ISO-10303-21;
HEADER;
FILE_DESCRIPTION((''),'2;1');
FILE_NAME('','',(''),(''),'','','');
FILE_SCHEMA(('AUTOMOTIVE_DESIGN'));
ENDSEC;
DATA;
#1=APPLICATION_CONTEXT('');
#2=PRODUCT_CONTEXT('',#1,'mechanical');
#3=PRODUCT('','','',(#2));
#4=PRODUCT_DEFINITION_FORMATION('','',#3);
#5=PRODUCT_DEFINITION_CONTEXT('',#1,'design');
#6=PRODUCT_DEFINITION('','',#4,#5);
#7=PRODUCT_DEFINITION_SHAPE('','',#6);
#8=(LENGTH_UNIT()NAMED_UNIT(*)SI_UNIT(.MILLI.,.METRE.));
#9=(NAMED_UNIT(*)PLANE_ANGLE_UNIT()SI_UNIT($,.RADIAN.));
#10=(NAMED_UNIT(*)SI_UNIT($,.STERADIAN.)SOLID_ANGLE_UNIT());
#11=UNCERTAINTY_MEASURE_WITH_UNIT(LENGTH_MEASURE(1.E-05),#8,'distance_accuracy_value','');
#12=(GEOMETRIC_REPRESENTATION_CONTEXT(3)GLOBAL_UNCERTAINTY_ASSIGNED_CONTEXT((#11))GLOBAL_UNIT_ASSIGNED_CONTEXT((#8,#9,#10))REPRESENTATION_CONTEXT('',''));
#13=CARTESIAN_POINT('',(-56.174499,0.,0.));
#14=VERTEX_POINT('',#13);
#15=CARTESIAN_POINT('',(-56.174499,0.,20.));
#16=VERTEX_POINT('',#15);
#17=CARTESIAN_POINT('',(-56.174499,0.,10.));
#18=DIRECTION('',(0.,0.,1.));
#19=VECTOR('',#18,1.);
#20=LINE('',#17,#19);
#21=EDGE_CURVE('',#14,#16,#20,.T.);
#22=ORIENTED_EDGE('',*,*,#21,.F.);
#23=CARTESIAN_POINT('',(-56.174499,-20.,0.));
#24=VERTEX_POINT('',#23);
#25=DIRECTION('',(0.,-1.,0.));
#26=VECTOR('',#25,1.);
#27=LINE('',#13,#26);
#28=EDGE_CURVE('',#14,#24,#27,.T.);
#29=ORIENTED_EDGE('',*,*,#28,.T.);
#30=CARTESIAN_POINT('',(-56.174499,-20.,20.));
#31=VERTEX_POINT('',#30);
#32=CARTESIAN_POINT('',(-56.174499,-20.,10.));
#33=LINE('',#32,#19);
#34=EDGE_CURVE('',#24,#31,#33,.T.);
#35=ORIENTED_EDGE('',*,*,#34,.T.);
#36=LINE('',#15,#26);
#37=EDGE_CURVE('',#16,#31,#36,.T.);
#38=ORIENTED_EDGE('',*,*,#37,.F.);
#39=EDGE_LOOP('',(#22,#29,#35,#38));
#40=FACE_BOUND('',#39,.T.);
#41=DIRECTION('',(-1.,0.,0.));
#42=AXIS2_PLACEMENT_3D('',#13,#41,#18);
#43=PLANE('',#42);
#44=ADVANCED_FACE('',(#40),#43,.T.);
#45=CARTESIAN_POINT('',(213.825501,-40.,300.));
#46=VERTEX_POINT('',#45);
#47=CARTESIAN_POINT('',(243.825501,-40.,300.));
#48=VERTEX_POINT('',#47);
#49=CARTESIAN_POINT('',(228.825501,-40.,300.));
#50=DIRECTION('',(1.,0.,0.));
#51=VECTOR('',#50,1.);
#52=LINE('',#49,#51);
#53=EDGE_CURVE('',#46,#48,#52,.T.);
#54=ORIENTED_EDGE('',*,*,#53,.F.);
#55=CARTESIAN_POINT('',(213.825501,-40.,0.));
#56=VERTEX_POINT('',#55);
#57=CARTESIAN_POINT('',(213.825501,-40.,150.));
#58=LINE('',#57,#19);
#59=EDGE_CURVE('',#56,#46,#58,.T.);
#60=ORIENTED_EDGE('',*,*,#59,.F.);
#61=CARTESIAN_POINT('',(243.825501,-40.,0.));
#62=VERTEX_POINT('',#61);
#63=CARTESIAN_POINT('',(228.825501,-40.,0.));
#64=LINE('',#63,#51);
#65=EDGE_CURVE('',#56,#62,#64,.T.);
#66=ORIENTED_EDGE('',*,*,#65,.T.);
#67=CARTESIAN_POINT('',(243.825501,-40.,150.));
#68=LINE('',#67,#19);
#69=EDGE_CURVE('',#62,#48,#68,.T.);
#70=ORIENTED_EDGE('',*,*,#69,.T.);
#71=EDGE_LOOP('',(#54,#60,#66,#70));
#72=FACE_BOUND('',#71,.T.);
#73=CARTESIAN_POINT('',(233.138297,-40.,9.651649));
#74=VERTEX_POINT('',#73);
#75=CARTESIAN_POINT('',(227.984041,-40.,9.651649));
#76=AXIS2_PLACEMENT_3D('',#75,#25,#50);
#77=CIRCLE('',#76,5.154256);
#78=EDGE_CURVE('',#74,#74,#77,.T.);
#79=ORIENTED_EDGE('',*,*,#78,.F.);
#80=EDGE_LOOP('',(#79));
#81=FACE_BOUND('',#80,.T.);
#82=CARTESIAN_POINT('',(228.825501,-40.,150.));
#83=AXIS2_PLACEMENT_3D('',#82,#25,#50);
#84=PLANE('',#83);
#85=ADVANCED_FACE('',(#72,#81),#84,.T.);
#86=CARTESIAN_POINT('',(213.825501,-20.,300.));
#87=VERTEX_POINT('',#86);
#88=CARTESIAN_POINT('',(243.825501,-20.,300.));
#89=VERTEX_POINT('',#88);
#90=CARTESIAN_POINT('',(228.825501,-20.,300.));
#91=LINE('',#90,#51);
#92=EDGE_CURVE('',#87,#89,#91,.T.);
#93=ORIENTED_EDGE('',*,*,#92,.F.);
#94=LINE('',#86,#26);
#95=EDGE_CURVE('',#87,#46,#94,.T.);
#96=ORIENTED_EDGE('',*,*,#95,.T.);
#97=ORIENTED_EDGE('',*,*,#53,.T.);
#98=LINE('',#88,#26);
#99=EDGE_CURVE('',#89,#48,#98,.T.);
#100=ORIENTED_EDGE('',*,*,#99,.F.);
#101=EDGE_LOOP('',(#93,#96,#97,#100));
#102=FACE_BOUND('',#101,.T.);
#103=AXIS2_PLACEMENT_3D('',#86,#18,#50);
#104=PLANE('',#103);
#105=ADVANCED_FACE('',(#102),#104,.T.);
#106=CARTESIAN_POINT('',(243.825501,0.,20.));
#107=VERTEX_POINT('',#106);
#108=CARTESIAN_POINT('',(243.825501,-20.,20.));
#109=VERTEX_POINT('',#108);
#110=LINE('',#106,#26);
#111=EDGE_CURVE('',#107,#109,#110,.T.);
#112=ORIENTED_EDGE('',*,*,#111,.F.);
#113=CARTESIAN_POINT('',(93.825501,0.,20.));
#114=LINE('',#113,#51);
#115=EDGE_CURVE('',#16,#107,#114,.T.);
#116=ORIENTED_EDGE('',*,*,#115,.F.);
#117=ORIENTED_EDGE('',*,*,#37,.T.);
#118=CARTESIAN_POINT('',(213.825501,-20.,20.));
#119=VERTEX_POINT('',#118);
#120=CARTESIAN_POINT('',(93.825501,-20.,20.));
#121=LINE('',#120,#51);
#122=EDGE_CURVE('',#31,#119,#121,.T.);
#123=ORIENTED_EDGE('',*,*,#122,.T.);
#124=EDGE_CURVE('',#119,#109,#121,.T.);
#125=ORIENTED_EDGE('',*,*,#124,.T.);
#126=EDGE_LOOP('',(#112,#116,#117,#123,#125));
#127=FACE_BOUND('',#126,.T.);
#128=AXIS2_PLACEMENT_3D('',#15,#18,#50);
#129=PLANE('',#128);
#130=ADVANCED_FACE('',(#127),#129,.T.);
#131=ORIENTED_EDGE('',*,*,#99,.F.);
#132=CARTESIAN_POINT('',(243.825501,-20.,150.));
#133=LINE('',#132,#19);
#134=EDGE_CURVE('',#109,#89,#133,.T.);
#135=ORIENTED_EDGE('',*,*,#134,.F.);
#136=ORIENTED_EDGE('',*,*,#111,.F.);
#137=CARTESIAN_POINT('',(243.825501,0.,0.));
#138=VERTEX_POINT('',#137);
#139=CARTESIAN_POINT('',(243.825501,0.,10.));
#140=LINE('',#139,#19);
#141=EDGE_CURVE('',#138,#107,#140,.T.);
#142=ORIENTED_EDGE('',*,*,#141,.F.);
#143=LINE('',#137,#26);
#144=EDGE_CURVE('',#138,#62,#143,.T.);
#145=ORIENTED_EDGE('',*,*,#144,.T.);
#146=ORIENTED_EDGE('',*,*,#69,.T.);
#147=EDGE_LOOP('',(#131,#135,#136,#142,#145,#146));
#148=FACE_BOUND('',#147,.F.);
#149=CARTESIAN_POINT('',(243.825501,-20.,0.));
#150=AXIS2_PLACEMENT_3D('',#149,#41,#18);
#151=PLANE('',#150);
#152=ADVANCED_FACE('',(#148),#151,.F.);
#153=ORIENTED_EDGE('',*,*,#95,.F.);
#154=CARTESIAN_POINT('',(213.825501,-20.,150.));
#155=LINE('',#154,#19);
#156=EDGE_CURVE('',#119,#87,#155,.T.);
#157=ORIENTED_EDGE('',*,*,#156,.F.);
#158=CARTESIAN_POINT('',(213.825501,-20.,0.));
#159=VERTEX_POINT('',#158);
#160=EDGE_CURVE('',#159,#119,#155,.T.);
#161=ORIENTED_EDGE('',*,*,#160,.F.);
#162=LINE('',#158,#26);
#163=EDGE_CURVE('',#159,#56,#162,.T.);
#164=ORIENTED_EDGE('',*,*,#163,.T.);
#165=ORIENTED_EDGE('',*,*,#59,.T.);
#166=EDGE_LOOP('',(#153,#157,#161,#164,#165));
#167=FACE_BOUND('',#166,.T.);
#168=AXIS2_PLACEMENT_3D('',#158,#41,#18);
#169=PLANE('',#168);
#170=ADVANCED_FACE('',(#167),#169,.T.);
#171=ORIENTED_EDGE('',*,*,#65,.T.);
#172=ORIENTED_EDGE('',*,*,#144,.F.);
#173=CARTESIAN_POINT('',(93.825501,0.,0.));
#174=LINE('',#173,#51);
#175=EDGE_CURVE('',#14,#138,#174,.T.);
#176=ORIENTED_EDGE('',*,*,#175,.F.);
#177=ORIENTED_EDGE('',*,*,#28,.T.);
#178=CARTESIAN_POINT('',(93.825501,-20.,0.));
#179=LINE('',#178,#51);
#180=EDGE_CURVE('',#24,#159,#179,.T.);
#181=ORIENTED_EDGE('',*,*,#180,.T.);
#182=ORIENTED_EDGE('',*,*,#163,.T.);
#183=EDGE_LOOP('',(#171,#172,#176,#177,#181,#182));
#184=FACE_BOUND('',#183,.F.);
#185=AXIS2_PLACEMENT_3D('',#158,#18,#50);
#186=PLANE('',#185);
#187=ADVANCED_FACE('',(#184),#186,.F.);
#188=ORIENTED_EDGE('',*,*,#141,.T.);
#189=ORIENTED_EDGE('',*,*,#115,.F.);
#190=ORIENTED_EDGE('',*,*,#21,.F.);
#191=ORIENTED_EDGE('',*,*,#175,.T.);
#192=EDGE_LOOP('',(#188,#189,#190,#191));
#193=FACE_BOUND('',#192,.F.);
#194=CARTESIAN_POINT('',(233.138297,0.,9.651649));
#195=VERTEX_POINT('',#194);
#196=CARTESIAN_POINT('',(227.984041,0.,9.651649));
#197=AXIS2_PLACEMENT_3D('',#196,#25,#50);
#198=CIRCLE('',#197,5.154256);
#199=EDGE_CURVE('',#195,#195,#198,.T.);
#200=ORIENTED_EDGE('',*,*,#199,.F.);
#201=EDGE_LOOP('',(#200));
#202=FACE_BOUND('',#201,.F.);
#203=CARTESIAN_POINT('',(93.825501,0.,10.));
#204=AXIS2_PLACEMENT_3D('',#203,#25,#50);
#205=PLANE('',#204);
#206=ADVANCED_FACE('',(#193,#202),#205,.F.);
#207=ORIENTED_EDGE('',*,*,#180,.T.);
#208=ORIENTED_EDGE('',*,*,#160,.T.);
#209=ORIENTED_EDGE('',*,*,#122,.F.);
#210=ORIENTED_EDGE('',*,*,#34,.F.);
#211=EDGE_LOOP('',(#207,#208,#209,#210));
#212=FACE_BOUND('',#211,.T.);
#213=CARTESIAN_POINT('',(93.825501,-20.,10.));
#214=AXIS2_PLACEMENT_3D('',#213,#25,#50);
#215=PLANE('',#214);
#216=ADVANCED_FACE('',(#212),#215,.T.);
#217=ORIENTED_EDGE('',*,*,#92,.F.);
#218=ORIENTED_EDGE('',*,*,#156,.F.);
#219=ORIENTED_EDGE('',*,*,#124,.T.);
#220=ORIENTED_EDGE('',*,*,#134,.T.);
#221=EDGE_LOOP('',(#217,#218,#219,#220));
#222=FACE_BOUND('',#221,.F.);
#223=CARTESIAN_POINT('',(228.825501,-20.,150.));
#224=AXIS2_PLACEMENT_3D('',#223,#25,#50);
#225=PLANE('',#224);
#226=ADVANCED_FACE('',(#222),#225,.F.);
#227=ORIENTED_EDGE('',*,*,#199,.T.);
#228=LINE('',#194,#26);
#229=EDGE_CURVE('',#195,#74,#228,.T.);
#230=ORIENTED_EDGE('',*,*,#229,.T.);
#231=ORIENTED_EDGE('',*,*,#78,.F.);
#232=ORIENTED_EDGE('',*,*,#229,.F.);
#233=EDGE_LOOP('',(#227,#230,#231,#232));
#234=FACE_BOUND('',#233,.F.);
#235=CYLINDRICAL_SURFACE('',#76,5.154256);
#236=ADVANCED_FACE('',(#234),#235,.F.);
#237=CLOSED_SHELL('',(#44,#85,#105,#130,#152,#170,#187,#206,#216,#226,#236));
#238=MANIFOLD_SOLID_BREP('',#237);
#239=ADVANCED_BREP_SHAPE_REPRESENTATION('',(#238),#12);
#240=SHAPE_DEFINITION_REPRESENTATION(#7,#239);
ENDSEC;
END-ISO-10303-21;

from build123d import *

# Parameters (mm, degrees)
F0_W     = 300
F0_H     = 20
F1_DEPTH = 20
F2_R     = 5.1542561855
F3_DEPTH = 20.001
F4_W     = 30
F4_H     = 300
F5_DEPTH = 20
F6_R     = 5.1542561855
F7_DEPTH = 25


with BuildPart() as f1:
    # F0 (on Front) → F1 (new body)
    with BuildSketch(Plane.XZ):
        with Locations((93.8255012718, 10)):
            Rectangle(F0_W, F0_H)
    extrude(amount=F1_DEPTH)

    # F2 (on face) → F3 (cut, through all)
    with BuildSketch(Plane.XZ.offset(20)):
        with Locations((227.9840409756, 9.651648812)):
            Circle(F2_R)
    extrude(amount=-F3_DEPTH, mode=Mode.SUBTRACT)

    # F4 (on face) → F5 (join)
    with BuildSketch(Plane.XZ.offset(20)):
        with Locations((228.8255012718, 150)):
            Rectangle(F4_W, F4_H)
    extrude(amount=F5_DEPTH)

    # F6 (on face) → F7 (cut)
    with BuildSketch(Plane.XZ.offset(40)):
        with Locations((227.9840409756, 9.651648812)):
            Circle(F6_R)
    extrude(amount=-F7_DEPTH, mode=Mode.SUBTRACT)


solid = f1.part
